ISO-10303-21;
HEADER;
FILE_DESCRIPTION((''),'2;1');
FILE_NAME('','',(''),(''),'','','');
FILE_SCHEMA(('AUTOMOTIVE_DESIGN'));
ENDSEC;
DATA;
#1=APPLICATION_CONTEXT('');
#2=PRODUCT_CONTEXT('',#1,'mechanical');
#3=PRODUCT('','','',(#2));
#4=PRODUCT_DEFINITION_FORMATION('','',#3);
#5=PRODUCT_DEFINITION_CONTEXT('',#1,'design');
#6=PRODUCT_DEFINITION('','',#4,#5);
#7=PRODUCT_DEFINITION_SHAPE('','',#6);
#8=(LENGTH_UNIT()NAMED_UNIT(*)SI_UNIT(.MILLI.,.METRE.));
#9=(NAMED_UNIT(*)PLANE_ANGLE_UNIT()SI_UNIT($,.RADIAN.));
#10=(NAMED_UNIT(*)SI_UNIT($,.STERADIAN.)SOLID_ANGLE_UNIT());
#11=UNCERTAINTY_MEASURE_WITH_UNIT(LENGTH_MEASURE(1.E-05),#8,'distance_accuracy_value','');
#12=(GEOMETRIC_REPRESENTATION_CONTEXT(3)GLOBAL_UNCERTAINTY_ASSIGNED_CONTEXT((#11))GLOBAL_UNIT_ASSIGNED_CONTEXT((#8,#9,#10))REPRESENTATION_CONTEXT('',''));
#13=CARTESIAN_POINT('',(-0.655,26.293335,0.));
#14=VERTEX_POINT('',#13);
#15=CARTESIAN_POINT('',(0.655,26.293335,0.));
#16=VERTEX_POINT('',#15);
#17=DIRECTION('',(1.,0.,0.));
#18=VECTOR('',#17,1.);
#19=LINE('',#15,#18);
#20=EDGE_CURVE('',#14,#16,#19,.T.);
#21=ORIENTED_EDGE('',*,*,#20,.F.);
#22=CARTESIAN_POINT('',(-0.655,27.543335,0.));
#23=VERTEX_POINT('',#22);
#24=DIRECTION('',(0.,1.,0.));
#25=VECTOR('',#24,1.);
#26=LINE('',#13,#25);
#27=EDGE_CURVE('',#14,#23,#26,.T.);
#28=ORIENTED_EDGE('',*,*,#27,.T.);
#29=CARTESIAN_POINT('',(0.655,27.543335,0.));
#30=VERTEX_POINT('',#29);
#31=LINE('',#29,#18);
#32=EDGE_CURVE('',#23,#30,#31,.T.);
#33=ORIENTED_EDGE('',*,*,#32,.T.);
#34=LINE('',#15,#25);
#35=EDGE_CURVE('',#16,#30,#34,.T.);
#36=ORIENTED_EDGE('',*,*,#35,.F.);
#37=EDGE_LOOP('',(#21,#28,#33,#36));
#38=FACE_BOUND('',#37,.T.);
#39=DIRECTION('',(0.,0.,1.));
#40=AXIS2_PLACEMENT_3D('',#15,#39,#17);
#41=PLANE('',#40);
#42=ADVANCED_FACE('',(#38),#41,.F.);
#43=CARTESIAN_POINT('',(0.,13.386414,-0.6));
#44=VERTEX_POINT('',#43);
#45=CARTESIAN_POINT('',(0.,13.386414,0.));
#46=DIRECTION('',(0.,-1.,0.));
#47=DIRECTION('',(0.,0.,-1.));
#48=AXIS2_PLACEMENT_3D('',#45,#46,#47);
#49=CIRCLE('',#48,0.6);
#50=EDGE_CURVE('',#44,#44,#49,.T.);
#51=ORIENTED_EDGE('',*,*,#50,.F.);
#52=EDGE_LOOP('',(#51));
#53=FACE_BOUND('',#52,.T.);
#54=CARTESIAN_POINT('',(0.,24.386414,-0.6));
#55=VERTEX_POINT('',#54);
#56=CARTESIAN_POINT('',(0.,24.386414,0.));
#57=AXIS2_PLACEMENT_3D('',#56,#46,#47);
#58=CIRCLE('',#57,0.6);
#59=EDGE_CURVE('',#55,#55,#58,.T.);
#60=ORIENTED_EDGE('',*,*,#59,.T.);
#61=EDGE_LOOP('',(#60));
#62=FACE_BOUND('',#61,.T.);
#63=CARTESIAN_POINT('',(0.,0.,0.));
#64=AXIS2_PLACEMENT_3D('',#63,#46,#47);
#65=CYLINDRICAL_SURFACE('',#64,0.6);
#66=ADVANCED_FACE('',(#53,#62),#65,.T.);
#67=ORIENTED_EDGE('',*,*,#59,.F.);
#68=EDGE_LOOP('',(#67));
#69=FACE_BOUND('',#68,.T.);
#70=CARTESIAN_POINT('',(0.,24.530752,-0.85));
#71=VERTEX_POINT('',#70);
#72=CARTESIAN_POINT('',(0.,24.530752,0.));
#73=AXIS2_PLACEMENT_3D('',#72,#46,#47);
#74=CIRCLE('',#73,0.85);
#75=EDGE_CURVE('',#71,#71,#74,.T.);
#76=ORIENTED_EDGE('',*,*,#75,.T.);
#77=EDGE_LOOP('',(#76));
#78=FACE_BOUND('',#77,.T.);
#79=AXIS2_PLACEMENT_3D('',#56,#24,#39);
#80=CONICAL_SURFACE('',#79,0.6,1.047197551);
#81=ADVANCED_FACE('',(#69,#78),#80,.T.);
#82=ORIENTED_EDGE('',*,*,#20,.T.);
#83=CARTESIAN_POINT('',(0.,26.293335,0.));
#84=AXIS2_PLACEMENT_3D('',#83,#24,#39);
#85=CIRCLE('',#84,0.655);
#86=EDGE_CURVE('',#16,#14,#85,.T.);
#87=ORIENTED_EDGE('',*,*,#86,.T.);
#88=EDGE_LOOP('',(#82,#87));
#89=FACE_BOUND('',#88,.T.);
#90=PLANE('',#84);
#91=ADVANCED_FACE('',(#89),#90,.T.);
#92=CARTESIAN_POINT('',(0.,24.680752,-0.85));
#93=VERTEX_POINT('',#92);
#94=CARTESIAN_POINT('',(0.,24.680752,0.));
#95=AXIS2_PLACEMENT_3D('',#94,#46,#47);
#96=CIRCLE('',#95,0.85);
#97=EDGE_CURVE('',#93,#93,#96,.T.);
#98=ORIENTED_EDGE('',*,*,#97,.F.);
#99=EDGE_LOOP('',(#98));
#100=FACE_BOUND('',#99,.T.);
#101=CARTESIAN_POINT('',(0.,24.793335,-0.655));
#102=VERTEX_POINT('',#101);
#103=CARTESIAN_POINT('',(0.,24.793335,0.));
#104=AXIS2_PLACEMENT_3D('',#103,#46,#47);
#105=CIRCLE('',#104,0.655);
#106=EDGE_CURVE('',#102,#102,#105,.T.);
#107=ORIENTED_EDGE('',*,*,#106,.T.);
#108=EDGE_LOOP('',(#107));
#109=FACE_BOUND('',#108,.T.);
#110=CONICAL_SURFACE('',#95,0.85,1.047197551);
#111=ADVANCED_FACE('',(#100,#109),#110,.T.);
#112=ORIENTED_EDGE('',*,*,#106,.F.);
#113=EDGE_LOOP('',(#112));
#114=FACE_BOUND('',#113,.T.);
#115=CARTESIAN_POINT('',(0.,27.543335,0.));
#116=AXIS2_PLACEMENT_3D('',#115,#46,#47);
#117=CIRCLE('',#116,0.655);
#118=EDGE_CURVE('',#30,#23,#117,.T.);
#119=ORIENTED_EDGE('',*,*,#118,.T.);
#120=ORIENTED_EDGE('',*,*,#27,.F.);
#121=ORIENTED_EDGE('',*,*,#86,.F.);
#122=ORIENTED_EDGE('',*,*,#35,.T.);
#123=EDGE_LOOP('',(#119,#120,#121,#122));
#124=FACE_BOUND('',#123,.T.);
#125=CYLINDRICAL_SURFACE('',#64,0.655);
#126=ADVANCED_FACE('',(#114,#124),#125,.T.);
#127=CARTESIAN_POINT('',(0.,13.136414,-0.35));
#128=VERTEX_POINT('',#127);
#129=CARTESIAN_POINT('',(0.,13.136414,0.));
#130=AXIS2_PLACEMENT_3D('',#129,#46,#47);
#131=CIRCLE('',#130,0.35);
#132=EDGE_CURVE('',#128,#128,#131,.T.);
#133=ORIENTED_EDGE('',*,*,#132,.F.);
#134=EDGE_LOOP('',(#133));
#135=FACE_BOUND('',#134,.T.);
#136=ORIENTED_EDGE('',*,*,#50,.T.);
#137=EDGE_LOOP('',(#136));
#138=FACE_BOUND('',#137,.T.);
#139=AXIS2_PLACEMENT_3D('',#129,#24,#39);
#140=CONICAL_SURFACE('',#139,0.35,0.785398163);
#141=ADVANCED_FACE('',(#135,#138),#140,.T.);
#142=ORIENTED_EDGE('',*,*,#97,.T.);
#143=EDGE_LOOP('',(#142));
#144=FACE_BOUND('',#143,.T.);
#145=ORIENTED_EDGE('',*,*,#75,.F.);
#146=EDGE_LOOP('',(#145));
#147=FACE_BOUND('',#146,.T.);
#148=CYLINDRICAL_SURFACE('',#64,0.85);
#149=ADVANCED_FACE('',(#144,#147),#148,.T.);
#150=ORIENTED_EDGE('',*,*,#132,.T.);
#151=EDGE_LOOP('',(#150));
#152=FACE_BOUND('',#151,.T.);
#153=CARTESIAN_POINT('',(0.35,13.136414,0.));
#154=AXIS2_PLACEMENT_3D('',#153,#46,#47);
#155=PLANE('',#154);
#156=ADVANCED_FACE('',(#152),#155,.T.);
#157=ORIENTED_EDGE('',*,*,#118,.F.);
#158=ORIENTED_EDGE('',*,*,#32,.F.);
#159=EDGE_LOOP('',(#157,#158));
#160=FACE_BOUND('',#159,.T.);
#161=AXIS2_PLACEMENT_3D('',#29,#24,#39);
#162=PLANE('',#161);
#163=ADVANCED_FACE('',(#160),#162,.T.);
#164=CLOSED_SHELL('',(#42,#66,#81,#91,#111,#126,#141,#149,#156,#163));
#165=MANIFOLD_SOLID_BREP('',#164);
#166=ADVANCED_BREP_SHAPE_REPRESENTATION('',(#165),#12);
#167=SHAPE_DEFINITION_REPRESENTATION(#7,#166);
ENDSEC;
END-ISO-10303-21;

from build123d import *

# Parameters (mm, degrees)
CUT_EXTRUDE1_START = -1.25
CUT_EXTRUDE1_DEPTH = 1.25


with BuildPart() as part:
    # Sketch1 → Revolve1 (revolve)
    with BuildSketch(Plane.XY):
        Polygon((0.6, 24.386414327), (0.6, 13.386414327), (0.35, 13.136414327), (0, 13.136414327), (0, 27.543335196), (0.655, 27.543335196), (0.655, 24.793335196), (0.85, 24.680751894), (0.85, 24.530751894), align=None)
    revolve(axis=Axis((0, 0, 0), (0, 1, 0)))

    # Sketch2 → Cut-Extrude1 (cut)
    with BuildSketch(Plane(origin=(0, 27.543335196, 0), x_dir=(-1, 0, 0), z_dir=(0, 1, 0)).offset(CUT_EXTRUDE1_START)):
        with BuildLine():
            Line((-0.655, 0), (0.655, 0))
            ThreePointArc((0.655, 0), (0, -0.655), (-0.655, 0))
        make_face()
    extrude(amount=CUT_EXTRUDE1_DEPTH, mode=Mode.SUBTRACT)


solid = part.part
